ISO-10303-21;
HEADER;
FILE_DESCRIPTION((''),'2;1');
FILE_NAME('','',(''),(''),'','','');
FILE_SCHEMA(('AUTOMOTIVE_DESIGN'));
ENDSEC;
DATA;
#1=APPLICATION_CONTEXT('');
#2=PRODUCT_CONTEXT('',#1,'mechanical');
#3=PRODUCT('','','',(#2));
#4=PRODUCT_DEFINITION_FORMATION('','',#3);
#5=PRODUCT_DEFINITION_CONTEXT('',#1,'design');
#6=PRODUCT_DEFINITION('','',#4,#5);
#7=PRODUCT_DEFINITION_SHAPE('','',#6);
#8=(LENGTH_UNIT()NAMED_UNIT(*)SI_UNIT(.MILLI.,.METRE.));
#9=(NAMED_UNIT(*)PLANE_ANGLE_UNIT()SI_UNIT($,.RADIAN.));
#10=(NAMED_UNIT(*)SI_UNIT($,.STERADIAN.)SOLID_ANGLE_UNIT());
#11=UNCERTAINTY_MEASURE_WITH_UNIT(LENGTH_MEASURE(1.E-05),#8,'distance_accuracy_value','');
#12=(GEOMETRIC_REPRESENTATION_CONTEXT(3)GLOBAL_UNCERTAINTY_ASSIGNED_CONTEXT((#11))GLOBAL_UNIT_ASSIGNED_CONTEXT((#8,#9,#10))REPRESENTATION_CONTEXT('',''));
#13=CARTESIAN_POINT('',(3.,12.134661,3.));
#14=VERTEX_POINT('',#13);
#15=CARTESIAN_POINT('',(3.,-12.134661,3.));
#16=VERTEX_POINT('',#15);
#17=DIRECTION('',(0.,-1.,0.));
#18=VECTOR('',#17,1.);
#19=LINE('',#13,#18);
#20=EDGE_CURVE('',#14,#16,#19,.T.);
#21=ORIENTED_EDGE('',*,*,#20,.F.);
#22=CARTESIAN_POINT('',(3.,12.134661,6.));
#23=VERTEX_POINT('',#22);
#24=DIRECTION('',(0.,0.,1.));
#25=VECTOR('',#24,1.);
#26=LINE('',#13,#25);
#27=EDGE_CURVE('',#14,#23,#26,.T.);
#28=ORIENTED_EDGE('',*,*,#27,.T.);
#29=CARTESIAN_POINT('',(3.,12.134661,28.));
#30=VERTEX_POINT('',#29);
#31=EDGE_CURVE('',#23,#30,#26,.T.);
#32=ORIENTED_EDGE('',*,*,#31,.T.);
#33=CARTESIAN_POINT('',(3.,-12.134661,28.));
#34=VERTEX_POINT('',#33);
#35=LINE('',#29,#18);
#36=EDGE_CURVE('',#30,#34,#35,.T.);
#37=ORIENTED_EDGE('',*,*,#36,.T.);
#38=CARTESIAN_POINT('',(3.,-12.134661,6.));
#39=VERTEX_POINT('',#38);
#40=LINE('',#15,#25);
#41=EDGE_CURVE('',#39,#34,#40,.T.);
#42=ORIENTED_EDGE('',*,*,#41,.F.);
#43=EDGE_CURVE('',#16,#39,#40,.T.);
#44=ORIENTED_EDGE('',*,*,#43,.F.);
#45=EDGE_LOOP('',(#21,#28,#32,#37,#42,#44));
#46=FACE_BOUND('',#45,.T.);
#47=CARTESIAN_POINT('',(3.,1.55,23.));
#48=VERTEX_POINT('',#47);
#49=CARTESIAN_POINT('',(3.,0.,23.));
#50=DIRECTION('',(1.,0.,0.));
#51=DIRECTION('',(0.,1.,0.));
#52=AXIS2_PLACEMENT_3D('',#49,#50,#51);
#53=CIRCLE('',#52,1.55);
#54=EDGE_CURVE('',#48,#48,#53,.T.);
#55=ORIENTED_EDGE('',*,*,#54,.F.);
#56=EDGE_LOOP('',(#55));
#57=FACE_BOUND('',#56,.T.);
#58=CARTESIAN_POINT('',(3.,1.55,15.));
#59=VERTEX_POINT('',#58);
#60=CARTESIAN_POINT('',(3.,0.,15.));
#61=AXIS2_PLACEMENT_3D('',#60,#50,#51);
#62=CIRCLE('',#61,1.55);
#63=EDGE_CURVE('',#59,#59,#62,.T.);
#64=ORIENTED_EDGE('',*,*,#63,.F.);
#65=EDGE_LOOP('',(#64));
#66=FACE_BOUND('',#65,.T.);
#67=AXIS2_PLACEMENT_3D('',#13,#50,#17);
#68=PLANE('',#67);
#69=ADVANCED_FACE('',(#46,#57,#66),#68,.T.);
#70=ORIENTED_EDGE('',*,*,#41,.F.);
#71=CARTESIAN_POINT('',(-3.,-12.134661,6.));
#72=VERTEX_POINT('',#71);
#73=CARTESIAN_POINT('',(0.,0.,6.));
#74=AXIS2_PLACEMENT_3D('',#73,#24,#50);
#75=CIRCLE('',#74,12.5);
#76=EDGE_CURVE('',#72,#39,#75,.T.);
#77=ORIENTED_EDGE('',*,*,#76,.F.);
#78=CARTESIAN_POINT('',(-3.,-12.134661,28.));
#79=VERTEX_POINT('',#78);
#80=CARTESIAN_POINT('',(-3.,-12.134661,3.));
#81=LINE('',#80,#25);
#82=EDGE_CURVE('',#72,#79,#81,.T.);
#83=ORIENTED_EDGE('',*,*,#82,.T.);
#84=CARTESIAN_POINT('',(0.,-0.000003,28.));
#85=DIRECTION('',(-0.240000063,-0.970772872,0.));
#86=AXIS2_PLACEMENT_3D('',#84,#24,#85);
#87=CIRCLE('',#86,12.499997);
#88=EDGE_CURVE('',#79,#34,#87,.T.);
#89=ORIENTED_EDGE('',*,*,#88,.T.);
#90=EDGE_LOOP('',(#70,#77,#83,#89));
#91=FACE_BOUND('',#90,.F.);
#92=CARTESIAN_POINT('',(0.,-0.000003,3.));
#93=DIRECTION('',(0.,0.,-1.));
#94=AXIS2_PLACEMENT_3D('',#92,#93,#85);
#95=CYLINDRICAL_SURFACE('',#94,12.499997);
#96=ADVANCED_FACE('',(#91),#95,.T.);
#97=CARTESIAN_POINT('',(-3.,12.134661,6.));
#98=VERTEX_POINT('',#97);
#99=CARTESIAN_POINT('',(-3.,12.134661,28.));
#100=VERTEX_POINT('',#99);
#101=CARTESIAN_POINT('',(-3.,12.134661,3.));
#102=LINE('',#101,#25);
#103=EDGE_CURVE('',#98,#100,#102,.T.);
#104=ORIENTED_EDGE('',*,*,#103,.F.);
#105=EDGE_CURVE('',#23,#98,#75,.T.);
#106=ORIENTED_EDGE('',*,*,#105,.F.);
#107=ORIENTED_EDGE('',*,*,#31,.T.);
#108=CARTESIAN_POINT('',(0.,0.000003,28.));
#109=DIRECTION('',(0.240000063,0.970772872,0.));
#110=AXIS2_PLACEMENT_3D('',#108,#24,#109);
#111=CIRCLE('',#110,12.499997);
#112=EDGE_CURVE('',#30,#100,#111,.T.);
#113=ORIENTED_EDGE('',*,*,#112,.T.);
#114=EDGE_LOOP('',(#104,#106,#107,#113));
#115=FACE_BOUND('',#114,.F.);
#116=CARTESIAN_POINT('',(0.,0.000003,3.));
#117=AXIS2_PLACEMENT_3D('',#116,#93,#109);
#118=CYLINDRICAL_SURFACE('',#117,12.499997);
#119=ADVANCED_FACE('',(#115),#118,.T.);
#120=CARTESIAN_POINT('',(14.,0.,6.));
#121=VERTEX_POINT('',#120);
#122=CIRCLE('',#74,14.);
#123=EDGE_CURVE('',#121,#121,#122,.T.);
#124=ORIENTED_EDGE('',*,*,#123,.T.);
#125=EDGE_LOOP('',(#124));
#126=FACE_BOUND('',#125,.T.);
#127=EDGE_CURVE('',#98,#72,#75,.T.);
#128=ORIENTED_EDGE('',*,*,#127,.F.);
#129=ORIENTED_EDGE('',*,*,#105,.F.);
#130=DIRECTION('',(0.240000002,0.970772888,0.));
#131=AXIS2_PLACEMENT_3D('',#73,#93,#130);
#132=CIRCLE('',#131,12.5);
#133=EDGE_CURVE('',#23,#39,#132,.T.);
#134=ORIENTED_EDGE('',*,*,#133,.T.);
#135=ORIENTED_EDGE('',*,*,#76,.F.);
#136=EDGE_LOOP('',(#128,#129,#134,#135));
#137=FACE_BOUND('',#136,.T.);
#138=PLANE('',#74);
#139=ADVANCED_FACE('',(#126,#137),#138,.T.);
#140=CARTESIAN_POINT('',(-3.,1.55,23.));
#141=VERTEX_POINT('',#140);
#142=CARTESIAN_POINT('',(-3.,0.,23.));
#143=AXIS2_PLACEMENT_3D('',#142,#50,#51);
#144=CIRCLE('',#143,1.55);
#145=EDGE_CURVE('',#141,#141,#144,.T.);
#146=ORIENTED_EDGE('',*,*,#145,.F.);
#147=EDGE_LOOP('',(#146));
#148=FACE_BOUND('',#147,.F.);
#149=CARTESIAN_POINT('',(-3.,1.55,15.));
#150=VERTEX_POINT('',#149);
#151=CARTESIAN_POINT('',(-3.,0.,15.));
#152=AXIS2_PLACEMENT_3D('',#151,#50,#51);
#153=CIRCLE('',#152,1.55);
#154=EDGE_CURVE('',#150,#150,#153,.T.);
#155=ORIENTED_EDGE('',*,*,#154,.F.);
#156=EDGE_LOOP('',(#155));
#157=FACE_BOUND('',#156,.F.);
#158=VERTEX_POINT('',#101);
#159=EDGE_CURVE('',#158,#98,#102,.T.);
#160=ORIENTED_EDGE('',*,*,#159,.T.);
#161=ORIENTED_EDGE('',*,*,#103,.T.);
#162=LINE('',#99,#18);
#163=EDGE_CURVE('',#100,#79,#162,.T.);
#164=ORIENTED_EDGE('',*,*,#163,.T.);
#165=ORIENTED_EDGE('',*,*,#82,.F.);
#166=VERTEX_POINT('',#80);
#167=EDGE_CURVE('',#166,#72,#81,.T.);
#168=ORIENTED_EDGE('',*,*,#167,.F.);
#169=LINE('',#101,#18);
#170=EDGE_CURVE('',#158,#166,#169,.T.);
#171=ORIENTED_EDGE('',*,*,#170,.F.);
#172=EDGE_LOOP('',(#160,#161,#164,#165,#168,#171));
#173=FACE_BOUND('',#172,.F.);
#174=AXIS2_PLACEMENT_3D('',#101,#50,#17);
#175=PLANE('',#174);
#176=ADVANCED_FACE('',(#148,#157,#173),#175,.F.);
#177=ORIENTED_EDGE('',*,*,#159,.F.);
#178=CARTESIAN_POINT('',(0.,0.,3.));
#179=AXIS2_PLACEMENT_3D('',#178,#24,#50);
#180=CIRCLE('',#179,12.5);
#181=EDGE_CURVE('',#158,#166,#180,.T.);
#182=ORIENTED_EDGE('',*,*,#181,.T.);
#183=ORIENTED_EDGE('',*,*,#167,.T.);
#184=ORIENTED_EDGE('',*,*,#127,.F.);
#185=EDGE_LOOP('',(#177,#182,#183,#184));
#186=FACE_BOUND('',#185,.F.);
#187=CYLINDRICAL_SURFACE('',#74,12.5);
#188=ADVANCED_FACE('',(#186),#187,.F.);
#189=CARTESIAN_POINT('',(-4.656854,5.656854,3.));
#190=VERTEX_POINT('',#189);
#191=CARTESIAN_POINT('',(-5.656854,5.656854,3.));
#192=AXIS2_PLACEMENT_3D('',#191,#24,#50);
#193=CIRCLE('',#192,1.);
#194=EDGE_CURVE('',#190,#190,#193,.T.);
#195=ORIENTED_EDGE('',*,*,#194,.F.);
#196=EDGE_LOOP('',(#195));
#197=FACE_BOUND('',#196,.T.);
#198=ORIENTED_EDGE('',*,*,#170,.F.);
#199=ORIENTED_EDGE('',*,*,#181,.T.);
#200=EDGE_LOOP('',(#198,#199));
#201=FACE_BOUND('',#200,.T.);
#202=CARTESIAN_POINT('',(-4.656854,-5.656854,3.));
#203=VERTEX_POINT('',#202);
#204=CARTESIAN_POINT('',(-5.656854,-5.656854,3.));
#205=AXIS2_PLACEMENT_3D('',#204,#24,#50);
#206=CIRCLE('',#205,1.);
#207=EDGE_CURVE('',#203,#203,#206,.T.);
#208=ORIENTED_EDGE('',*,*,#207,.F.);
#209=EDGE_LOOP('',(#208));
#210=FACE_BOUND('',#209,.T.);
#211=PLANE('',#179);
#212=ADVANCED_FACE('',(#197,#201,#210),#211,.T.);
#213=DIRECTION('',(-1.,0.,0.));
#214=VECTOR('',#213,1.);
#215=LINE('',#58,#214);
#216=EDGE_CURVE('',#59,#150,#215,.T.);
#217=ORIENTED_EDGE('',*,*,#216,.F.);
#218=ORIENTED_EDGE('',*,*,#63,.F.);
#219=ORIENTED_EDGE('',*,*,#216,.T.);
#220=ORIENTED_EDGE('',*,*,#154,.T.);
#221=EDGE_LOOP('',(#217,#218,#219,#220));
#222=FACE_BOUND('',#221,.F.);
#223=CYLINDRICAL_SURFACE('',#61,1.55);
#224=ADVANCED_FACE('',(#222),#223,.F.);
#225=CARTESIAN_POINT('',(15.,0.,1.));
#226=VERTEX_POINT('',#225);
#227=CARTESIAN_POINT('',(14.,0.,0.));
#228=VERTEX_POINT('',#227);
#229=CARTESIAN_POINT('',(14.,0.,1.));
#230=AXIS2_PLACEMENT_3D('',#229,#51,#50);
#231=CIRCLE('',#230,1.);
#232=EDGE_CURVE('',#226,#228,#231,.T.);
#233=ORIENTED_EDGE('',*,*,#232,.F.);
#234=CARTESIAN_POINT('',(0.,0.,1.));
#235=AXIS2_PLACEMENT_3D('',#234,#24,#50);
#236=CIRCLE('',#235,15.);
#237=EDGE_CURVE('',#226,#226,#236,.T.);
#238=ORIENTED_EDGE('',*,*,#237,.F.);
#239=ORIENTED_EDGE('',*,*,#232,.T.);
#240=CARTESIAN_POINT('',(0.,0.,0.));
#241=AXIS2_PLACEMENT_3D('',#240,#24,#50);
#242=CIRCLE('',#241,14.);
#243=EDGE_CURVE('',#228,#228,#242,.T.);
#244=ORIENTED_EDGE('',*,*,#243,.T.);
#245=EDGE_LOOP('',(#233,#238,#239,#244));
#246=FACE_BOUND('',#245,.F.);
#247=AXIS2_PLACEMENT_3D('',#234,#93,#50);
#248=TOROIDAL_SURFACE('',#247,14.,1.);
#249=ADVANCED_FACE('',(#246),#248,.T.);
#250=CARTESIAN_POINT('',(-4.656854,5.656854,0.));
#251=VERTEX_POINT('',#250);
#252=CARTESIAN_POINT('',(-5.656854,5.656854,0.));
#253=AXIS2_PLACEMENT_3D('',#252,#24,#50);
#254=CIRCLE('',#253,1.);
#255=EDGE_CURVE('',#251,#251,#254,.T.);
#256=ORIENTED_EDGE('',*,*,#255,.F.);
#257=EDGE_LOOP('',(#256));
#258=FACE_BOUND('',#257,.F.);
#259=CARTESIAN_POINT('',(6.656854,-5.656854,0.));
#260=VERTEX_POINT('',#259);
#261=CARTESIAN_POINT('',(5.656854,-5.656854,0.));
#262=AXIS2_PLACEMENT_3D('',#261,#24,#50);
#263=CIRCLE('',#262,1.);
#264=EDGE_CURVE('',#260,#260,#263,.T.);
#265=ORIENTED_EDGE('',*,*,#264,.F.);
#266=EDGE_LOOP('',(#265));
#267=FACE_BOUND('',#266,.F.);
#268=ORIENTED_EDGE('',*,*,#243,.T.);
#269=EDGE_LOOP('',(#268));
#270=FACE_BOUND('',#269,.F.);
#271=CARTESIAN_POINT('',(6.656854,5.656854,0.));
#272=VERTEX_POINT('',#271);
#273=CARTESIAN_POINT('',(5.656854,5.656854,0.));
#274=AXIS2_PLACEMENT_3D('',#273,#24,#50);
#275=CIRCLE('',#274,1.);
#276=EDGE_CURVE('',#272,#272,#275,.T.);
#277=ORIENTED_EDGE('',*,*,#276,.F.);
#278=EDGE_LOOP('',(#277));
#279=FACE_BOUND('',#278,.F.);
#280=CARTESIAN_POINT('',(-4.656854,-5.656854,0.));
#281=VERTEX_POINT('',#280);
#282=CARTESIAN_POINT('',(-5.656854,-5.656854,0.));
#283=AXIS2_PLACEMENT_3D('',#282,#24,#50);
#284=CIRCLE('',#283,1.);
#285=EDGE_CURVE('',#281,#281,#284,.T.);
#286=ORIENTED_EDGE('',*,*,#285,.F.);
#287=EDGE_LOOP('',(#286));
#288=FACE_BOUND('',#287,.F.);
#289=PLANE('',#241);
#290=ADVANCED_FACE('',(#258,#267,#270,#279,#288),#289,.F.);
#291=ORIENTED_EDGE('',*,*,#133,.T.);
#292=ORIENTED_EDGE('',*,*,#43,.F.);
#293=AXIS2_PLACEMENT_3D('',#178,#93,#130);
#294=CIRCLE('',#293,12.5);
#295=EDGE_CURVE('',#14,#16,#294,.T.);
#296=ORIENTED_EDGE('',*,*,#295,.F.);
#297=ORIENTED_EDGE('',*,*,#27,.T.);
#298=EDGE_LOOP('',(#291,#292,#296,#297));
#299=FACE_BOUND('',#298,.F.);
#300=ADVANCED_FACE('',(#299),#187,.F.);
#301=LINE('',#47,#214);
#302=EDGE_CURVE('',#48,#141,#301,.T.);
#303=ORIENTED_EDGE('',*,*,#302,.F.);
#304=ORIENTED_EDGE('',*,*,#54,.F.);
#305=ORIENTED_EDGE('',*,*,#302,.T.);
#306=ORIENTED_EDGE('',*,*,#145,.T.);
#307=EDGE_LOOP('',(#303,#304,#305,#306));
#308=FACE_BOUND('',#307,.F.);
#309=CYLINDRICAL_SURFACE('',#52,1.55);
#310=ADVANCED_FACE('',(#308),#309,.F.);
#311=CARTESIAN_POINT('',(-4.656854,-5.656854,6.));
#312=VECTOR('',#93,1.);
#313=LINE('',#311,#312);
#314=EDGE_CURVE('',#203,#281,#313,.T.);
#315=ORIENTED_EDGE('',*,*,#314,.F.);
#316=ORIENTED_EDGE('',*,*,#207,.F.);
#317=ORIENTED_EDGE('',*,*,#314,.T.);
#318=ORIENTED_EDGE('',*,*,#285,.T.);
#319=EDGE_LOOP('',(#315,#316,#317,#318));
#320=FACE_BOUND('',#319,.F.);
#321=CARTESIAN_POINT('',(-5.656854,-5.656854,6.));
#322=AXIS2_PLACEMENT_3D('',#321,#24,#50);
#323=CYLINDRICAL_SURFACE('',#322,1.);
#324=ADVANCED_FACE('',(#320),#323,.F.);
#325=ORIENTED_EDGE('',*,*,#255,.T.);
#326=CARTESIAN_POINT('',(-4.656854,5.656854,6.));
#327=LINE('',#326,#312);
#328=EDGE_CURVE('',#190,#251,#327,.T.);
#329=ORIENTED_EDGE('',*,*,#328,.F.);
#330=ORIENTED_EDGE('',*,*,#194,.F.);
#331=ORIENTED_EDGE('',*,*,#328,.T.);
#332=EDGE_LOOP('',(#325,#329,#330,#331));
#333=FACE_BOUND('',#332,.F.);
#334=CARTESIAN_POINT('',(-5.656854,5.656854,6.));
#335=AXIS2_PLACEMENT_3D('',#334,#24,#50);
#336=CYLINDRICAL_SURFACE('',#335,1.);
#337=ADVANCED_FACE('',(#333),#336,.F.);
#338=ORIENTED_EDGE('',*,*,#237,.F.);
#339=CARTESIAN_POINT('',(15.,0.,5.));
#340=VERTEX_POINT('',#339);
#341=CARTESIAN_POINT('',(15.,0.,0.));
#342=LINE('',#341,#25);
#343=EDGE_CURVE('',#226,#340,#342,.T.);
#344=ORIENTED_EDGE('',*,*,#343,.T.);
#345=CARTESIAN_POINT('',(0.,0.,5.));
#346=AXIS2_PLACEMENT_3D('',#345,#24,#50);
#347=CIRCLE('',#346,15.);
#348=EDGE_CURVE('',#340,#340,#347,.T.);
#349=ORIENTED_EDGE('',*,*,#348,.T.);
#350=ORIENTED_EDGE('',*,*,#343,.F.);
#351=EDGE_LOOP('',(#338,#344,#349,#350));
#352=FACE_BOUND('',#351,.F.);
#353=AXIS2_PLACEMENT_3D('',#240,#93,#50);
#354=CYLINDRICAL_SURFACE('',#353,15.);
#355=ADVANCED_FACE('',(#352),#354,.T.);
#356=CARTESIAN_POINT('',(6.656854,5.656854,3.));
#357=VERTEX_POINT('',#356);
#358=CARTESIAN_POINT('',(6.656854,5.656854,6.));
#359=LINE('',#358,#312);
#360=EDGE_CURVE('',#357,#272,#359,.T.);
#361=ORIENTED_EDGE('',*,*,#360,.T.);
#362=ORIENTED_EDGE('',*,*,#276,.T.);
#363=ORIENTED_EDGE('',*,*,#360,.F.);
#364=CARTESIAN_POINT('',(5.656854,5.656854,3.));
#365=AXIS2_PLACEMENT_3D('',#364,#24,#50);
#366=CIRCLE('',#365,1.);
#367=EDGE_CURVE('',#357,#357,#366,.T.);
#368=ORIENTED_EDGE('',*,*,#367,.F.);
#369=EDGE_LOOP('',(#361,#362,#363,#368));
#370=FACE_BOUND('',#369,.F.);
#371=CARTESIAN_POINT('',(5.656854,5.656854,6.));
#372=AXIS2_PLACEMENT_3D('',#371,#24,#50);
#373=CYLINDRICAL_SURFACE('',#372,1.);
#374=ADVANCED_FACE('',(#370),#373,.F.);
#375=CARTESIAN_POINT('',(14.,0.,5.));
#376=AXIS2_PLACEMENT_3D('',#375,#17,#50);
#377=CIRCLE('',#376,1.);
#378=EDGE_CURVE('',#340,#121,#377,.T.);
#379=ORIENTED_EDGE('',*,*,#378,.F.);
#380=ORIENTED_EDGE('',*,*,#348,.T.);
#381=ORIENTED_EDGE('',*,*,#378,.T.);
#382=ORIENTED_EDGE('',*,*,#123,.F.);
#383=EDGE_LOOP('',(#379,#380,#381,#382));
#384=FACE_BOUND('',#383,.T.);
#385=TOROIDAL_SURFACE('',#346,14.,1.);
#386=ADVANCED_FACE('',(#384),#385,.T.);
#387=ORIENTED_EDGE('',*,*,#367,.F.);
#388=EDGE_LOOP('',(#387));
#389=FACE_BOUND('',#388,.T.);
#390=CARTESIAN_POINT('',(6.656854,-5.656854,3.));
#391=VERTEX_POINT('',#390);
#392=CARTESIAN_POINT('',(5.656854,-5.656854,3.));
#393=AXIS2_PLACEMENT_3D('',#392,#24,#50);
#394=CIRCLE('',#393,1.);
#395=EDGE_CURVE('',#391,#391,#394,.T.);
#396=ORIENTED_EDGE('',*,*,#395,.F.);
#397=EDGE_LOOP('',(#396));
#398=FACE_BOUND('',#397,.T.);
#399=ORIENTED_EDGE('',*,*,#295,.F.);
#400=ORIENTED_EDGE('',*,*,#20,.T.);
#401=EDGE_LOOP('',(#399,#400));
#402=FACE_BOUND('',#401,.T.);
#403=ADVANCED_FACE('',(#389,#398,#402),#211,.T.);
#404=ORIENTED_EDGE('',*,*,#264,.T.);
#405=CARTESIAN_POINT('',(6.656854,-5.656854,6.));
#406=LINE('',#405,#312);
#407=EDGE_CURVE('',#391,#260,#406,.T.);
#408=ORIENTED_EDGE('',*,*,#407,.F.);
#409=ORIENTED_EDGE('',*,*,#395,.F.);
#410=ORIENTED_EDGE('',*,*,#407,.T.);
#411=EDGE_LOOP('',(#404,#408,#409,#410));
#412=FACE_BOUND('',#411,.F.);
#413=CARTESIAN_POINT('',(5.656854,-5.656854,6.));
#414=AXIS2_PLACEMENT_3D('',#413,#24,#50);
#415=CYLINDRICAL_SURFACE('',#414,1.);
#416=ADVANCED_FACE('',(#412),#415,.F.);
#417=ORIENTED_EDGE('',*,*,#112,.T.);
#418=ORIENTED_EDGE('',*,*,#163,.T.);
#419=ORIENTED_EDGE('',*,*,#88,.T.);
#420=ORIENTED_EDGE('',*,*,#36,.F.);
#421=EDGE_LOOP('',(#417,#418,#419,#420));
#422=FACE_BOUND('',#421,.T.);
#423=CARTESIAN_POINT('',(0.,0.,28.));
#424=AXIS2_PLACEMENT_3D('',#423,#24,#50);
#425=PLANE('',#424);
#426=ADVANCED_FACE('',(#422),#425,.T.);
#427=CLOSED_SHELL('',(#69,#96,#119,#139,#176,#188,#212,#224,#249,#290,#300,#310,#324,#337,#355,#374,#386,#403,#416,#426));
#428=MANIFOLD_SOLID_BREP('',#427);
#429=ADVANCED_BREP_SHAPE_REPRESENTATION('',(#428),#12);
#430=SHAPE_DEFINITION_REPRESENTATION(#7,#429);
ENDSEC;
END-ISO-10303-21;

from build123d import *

# Parameters (mm, degrees)
SKETCH_R        = 15
PAD_DEPTH       = 6
FILLET_R        = 1
FILLET001_R     = 1
SKETCH001_R     = 12.5
POCKET_DEPTH    = 3
PAD001_DEPTH    = 25
SKETCH003_R     = 1.55
POCKET001_DEPTH = 20
SKETCH004_R     = 1
POCKET002_DEPTH = 6


with BuildPart() as part:
    # Sketch → Pad (new body)
    with BuildSketch(Plane.XY):
        Circle(SKETCH_R)
    extrude(amount=PAD_DEPTH)

    # Fillet
    fillet_edges = [part.edges().sort_by_distance(p)[0] for p in [
        (-15, 0, 0),
    ]]
    fillet(fillet_edges, radius=FILLET_R)

    # Fillet001
    fillet001_edges = [part.edges().sort_by_distance(p)[0] for p in [
        (-15, 0, 6),
    ]]
    fillet(fillet001_edges, radius=FILLET001_R)

    # Sketch001 (on Face4 of Fillet001) → Pocket (cut)
    with BuildSketch(Plane.XY.offset(6)):
        Circle(SKETCH001_R)
    extrude(amount=-POCKET_DEPTH, mode=Mode.SUBTRACT)

    # Sketch002 (on Face7 of Pocket) → Pad001 (join)
    with BuildSketch(Plane.XY.offset(3)):
        with BuildLine():
            Line((-3, 12.134661), (-3, -12.134661))
            ThreePointArc((-3, -12.134661), (0, -12.5), (3, -12.134661))
            Line((3, 12.134661), (3, -12.134661))
            ThreePointArc((3, 12.134661), (0, 12.5), (-3, 12.134661))
        make_face()
    extrude(amount=PAD001_DEPTH)

    # Sketch003 (on Face11 of Pad001) → Pocket001 (cut)
    with BuildSketch(Plane.YZ.offset(3)):
        with Locations((0, 23)):
            Circle(SKETCH003_R)
        with Locations((0, 15)):
            Circle(SKETCH003_R)
    extrude(amount=-POCKET001_DEPTH, mode=Mode.SUBTRACT)

    # Sketch004 (on Face3 of Pad) → Pocket002 (cut)
    with BuildSketch(Plane.XY.offset(6)):
        with Locations((-5.656854, 5.656854)):
            Circle(SKETCH004_R)
        with Locations((5.656854, 5.656854)):
            Circle(SKETCH004_R)
        with Locations((-5.656854, -5.656854)):
            Circle(SKETCH004_R)
        with Locations((5.656854, -5.656854)):
            Circle(SKETCH004_R)
    extrude(amount=-POCKET002_DEPTH, mode=Mode.SUBTRACT)


solid = part.part
